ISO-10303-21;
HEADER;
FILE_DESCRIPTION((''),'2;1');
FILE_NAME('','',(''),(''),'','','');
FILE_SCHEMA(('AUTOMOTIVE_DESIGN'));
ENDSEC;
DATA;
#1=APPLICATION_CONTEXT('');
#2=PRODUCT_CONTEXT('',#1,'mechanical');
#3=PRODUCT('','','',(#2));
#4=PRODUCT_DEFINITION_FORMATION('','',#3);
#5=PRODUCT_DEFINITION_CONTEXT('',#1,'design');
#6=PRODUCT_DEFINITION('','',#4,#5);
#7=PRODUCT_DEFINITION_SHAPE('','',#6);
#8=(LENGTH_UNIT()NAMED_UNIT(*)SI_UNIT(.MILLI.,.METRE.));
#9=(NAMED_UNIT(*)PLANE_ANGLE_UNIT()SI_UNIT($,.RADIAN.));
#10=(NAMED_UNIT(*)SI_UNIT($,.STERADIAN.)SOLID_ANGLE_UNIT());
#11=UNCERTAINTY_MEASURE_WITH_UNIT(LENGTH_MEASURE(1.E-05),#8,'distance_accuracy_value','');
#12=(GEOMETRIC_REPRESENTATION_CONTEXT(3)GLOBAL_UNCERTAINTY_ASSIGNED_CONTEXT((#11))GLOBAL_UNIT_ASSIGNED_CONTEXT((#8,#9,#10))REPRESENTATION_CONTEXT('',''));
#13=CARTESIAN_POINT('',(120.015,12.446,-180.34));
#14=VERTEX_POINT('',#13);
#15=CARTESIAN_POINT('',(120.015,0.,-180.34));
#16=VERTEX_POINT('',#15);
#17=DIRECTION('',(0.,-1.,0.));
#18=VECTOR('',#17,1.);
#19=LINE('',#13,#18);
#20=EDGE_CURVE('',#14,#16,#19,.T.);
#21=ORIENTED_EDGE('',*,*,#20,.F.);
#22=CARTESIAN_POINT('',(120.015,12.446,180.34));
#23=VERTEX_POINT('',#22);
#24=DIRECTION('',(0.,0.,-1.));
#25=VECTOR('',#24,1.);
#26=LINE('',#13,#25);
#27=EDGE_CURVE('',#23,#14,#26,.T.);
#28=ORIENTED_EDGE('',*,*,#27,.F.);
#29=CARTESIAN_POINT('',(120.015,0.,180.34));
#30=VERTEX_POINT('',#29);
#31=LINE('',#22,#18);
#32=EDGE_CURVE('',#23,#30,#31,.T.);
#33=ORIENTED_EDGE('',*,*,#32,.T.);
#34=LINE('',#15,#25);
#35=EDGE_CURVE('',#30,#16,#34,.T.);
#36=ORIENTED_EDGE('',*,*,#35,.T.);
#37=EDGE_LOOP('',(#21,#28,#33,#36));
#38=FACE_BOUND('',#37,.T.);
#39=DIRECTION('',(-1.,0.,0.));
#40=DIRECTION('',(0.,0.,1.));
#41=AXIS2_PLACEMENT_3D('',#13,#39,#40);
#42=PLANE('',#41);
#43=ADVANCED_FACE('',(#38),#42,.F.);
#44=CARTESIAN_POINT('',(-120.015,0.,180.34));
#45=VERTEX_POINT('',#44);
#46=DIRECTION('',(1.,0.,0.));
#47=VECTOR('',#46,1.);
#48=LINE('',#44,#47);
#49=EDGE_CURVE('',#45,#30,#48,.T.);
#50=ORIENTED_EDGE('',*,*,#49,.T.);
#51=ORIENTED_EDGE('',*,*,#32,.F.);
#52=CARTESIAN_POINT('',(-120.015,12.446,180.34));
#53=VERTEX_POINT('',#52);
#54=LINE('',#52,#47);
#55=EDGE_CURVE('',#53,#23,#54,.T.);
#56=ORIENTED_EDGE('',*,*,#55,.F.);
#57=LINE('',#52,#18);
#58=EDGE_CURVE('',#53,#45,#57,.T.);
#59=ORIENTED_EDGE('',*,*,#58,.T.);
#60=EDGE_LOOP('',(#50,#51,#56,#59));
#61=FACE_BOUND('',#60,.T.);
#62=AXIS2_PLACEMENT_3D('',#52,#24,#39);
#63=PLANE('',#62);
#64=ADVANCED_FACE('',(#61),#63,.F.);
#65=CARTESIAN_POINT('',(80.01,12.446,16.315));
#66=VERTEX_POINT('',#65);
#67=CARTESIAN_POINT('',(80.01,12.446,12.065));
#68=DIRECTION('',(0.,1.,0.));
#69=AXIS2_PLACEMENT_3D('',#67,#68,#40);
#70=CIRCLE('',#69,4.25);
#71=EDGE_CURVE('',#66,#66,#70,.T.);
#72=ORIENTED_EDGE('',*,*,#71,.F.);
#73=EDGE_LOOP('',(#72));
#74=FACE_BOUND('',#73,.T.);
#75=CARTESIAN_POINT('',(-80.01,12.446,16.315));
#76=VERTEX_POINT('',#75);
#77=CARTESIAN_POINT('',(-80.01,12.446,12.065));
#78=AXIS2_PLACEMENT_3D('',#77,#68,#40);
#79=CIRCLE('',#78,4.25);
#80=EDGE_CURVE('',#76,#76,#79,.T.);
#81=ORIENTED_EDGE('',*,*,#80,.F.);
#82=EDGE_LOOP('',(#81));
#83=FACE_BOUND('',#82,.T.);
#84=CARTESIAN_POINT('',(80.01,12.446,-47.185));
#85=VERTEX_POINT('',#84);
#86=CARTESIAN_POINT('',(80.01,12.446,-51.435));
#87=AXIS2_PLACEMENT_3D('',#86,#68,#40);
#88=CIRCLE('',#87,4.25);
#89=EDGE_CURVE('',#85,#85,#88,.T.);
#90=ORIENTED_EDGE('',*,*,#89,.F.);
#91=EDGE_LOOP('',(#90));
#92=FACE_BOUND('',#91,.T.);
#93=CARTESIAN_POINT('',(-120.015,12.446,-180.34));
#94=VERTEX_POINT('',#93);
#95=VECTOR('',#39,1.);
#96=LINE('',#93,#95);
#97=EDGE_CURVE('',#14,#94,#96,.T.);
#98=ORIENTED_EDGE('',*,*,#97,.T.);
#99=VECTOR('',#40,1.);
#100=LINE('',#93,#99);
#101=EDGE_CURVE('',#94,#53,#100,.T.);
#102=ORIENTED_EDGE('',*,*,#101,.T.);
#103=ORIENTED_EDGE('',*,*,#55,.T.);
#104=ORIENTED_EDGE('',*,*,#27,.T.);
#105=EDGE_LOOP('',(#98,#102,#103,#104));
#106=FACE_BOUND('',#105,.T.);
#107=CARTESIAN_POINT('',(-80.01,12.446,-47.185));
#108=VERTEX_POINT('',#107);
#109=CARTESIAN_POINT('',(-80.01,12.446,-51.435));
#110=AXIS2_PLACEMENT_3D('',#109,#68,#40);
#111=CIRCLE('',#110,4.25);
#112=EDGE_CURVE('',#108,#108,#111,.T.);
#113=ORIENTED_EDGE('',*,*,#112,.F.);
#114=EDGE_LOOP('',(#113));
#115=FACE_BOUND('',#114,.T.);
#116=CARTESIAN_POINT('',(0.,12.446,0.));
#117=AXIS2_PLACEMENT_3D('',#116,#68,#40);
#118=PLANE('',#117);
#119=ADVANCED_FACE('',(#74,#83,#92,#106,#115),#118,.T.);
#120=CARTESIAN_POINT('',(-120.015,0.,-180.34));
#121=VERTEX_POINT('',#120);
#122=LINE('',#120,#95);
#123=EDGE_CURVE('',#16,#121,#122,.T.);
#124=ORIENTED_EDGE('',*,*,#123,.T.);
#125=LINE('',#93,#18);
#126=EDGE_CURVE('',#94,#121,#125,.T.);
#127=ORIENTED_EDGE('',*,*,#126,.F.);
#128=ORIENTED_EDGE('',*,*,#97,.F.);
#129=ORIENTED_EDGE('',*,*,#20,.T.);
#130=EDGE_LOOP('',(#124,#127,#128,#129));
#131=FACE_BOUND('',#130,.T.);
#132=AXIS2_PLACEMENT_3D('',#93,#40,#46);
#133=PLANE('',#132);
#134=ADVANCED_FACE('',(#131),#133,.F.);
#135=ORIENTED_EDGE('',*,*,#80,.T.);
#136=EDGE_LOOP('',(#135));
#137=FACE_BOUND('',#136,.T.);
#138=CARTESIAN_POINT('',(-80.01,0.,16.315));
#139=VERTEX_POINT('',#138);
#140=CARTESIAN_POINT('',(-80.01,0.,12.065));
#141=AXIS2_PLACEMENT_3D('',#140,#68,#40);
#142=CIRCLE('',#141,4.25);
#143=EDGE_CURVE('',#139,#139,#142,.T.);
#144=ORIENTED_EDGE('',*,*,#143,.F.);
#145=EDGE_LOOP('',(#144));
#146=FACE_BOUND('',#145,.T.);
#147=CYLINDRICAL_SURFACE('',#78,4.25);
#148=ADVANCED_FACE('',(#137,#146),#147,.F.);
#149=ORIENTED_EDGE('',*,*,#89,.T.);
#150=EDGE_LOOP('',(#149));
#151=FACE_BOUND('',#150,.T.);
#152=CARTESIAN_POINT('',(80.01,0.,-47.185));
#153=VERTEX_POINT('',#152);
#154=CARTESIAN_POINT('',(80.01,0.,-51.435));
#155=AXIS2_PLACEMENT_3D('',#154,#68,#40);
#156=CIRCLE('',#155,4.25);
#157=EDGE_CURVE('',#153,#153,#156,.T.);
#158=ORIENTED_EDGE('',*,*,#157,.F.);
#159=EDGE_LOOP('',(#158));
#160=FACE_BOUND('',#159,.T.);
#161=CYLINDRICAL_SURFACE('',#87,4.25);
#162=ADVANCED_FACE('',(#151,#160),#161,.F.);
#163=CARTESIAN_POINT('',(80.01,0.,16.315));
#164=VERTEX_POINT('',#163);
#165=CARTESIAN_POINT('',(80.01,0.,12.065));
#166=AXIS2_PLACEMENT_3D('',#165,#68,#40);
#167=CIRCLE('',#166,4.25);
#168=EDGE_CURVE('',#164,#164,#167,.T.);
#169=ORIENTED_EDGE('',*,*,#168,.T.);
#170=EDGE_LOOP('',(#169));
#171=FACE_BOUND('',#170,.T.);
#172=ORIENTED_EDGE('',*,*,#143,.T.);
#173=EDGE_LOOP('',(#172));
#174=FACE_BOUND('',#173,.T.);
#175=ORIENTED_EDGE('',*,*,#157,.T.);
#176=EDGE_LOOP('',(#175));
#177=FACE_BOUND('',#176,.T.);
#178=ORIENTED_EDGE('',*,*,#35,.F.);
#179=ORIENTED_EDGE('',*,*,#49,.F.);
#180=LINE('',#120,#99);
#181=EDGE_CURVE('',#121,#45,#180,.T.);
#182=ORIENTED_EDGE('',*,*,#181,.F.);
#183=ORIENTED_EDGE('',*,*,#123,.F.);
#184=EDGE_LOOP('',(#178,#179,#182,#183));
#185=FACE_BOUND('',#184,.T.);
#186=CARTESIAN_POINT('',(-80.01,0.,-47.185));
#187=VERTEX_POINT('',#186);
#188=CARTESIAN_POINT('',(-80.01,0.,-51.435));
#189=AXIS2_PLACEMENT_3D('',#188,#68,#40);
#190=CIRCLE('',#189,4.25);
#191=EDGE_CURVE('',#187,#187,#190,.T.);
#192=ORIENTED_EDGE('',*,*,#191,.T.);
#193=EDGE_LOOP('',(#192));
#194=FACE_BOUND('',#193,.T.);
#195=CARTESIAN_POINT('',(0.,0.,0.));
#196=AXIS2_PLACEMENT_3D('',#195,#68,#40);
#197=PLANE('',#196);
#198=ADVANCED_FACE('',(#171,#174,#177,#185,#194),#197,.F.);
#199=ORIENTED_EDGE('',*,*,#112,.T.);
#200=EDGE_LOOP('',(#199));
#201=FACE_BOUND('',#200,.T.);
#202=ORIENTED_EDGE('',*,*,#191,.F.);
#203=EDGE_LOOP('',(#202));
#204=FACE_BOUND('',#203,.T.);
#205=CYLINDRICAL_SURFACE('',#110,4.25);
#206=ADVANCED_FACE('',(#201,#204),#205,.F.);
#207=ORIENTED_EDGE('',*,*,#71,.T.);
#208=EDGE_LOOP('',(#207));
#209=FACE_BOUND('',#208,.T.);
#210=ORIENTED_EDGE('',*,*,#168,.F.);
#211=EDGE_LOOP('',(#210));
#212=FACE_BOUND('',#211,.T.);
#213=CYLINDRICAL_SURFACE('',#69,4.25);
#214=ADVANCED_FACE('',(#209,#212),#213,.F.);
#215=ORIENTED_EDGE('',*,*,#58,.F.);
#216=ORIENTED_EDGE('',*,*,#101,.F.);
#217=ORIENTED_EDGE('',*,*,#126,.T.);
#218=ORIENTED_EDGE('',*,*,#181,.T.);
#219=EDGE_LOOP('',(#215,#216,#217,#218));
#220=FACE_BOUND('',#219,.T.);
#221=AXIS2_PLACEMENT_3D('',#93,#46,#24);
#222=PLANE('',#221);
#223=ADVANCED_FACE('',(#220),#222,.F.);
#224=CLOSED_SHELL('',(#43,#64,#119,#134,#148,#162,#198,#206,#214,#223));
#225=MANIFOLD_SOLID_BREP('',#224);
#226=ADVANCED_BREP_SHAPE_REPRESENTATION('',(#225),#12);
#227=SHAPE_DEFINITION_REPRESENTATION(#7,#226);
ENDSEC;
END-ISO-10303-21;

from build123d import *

# Parameters (mm, degrees)
SKETCH1_W              = 240.03
SKETCH1_H              = 360.68
BOSS_EXTRUDE1_DEPTH    = 12.446
M10X1_5_TAPPED_HOLE1_D = 8.5


with BuildPart() as part:
    # Sketch1 → Boss-Extrude1 (new body)
    with BuildSketch(Plane(origin=(0, 0, 0), x_dir=(1, 0, 0), z_dir=(0, 1, 0))):
        Rectangle(SKETCH1_W, SKETCH1_H)
    extrude(amount=BOSS_EXTRUDE1_DEPTH)

    # M10x1.5 Tapped Hole1 (through all)
    with Locations(Plane(origin=(0, 12.446, 0), x_dir=(1, 0, 0), z_dir=(0, 1, 0))):
        with Locations((80.01, 51.435), (80.01, -12.065)):
            m10x1_5_tapped_hole1 = Hole(M10X1_5_TAPPED_HOLE1_D / 2)

    # Mirror1: M10x1.5 Tapped Hole1 across plane
    add(m10x1_5_tapped_hole1.mirror(Plane.ZY), mode=Mode.SUBTRACT)


solid = part.part
